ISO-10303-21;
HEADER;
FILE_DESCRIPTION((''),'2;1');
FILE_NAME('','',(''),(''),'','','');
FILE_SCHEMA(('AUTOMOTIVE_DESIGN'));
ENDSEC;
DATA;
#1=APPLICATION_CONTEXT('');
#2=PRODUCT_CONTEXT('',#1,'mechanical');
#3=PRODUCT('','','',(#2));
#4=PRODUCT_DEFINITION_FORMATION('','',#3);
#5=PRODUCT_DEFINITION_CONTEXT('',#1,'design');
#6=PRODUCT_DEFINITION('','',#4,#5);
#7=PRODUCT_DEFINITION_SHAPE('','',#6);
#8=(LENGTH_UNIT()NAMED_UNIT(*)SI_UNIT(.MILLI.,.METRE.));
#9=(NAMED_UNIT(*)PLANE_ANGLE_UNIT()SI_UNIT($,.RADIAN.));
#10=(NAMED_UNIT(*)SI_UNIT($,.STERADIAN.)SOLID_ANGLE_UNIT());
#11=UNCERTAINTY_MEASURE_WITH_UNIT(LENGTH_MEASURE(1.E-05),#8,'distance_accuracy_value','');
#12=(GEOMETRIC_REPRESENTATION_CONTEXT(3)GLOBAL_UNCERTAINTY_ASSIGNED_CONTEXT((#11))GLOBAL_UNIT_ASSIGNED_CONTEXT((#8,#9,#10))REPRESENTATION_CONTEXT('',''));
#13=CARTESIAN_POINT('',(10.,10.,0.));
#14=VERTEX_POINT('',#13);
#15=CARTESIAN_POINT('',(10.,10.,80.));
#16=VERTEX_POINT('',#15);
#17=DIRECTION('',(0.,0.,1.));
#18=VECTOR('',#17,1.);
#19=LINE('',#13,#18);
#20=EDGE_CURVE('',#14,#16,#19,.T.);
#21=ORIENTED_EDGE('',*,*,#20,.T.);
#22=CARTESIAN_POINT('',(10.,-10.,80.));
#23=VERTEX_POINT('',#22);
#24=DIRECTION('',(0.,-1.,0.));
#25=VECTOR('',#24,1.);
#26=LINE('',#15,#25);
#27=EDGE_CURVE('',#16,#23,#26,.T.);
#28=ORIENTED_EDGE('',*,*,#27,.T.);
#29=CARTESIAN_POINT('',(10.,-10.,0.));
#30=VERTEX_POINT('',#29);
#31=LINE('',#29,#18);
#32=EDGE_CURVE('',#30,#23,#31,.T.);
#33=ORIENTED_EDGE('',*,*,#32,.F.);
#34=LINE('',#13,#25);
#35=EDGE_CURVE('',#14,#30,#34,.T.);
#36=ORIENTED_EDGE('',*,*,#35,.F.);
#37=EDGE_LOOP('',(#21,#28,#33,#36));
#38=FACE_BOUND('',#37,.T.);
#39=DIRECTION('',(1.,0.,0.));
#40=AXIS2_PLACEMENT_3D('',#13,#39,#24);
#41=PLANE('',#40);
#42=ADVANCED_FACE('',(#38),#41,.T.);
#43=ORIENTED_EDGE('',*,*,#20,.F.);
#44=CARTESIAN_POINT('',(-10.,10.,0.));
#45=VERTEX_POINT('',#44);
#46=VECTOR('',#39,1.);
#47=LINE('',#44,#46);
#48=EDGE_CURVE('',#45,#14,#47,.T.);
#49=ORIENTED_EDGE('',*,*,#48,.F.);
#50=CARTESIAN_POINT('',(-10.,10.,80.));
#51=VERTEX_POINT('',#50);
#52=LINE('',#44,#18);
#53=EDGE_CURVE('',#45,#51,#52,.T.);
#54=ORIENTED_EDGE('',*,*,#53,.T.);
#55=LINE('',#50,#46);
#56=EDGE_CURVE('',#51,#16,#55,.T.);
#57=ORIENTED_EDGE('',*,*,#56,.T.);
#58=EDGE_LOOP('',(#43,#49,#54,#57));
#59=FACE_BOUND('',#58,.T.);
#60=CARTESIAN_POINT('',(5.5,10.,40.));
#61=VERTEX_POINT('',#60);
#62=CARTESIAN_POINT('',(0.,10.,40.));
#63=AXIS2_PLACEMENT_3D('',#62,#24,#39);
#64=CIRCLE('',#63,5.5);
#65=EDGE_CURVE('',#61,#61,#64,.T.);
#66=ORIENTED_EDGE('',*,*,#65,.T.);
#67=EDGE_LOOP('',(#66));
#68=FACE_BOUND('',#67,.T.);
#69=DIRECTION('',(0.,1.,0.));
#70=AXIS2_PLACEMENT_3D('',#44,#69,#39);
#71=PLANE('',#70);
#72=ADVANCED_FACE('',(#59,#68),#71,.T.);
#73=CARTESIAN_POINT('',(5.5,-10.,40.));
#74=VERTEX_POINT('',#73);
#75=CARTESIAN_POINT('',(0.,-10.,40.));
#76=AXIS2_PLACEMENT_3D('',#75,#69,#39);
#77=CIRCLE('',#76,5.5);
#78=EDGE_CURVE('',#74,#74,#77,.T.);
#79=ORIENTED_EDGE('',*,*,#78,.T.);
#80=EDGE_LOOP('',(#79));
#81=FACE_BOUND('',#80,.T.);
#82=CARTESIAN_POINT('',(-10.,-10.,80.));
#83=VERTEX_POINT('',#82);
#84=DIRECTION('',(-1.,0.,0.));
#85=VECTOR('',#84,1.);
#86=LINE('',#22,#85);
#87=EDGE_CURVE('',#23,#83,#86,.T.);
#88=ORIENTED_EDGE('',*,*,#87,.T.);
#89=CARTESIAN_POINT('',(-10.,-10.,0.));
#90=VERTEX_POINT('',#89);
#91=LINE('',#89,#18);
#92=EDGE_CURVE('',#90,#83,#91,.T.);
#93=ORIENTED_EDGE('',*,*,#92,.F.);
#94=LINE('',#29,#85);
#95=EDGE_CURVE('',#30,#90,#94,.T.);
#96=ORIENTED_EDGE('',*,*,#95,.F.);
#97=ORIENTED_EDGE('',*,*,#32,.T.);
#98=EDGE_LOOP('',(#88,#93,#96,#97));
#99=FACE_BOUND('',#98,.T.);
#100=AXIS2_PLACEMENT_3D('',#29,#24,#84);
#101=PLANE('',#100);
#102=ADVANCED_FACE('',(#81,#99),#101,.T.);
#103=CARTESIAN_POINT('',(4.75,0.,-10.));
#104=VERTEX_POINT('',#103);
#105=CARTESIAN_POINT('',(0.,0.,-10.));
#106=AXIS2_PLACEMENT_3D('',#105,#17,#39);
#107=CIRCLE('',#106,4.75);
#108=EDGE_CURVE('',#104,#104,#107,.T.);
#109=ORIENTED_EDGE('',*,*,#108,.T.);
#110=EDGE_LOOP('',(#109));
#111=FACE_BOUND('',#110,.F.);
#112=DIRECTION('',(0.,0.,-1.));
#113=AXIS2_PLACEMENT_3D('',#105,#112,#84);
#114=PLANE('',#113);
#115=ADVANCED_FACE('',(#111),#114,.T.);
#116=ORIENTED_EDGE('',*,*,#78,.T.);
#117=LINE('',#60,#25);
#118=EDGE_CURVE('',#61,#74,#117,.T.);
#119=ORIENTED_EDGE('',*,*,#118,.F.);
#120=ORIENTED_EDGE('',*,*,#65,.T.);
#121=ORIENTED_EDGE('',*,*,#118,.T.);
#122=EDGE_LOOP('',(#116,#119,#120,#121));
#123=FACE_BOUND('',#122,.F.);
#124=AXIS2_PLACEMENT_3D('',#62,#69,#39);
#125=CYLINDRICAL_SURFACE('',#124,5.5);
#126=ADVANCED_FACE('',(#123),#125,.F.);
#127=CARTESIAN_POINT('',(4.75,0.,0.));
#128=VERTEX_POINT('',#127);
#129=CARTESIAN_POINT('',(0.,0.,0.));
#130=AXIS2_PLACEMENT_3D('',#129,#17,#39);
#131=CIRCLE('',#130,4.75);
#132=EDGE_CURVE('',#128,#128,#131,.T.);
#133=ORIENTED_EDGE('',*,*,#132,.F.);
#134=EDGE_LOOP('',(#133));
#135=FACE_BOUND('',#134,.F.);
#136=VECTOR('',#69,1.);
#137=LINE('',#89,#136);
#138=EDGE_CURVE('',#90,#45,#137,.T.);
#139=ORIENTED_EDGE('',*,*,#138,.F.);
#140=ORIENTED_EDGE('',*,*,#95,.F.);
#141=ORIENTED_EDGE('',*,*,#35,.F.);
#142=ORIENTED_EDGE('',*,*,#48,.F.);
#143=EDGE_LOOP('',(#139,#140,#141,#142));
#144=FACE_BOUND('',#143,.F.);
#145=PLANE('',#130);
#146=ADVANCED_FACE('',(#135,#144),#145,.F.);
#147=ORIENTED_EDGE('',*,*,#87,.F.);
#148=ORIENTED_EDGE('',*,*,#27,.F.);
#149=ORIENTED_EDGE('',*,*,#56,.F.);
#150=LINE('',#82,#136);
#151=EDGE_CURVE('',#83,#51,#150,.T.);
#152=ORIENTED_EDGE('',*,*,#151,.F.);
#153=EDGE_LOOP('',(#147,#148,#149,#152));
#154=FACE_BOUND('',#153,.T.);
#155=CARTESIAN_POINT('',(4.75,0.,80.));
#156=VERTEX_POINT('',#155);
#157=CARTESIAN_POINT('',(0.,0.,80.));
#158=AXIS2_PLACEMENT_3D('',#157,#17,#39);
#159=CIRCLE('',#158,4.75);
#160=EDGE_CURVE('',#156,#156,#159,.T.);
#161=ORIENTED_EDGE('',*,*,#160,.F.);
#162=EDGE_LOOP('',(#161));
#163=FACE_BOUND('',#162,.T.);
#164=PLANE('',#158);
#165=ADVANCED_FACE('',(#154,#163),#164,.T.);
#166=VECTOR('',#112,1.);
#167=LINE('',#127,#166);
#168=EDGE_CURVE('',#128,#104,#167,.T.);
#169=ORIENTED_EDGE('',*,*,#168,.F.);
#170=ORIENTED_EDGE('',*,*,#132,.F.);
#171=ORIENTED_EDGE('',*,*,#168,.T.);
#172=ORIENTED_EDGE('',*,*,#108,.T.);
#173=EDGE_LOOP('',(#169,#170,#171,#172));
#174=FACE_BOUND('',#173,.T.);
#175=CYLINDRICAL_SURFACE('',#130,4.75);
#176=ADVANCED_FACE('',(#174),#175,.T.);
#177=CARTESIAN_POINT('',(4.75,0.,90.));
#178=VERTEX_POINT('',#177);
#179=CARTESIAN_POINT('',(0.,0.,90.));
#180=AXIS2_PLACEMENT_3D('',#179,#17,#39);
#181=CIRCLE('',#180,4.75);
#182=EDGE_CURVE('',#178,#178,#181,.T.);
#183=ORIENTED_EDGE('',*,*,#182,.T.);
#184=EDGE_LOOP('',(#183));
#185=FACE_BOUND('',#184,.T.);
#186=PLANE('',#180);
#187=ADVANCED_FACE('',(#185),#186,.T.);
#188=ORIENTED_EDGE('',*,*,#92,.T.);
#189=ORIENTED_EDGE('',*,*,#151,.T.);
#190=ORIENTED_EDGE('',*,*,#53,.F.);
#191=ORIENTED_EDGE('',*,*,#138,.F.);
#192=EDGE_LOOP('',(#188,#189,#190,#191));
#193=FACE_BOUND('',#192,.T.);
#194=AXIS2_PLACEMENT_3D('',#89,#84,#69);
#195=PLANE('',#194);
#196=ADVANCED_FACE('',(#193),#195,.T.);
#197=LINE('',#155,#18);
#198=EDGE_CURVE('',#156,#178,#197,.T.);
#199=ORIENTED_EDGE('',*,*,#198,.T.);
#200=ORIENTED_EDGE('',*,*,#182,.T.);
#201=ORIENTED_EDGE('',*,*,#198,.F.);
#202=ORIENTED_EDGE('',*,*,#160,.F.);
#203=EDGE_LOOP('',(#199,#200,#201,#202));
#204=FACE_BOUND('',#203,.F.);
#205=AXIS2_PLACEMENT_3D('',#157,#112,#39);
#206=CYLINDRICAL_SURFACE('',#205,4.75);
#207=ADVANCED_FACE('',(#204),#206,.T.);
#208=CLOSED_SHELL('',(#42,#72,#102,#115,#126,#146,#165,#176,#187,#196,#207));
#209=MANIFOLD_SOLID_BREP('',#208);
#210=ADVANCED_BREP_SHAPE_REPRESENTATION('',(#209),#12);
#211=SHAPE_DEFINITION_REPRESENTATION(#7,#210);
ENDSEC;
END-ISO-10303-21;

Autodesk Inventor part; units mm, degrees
ref_plane "YZ Plane" through (0, 0, 0) normal (1, 0, 0) x (0, 1, 0)
sketch "Sketch1" plane through (0, 0, 0) normal (0, 0, 1) x (1, 0, 0)
  line L0 (-10, 10) -> (10, 10)
  line L1 (10, 10) -> (10, -10)
  line L2 (10, -10) -> (-10, -10)
  line L3 (-10, -10) -> (-10, 10)
  line L4 (-10, 10) -> (10, -10) construction
  line L5 (10, 10) -> (-10, -10) construction
  point P0 (0, 0)
  dimension "d0" = 20
  dimension "d1" = 20
extrude "Extrusion1" add sketch "Sketch1" along normal blind 80
sketch "Sketch2" plane through (0, 0, 80) normal (0, 0, 1) x (1, 0, 0)
  circle A0 centre (0, 0) radius 4.75
  dimension "d4" = 9.5
extrude "Extrusion2" add sketch "Sketch2" along normal blind 10
ref_plane "Work Plane1" through (0, 0, 40) normal (0, 0, 1) x (1, 0, 0)
mirror "Mirror1" about plane through (0, 0, 40) normal (0, 0, 1) of "Extrusion2"
ref_plane "Work Plane2" through (-8, 10, 0) normal (0, 1, 0) x (1, 0, 0)
sketch "Sketch3" plane through (-8, 10, 0) normal (0, 1, 0) x (1, 0, 0)
  line L0 (-2, -80) -> (-2, 0) projected
  line L1 (-2, -40) -> (18, -40)
  line L2 (18, 0) -> (18, -80) projected
  circle A0 centre (8, -40) radius 5.5
  point P0 (8, 0)
  dimension "d8" = 11
extrude "Extrusion3" cut sketch "Sketch3" against normal through all
properties part number "FP V2 Arm Connector"
